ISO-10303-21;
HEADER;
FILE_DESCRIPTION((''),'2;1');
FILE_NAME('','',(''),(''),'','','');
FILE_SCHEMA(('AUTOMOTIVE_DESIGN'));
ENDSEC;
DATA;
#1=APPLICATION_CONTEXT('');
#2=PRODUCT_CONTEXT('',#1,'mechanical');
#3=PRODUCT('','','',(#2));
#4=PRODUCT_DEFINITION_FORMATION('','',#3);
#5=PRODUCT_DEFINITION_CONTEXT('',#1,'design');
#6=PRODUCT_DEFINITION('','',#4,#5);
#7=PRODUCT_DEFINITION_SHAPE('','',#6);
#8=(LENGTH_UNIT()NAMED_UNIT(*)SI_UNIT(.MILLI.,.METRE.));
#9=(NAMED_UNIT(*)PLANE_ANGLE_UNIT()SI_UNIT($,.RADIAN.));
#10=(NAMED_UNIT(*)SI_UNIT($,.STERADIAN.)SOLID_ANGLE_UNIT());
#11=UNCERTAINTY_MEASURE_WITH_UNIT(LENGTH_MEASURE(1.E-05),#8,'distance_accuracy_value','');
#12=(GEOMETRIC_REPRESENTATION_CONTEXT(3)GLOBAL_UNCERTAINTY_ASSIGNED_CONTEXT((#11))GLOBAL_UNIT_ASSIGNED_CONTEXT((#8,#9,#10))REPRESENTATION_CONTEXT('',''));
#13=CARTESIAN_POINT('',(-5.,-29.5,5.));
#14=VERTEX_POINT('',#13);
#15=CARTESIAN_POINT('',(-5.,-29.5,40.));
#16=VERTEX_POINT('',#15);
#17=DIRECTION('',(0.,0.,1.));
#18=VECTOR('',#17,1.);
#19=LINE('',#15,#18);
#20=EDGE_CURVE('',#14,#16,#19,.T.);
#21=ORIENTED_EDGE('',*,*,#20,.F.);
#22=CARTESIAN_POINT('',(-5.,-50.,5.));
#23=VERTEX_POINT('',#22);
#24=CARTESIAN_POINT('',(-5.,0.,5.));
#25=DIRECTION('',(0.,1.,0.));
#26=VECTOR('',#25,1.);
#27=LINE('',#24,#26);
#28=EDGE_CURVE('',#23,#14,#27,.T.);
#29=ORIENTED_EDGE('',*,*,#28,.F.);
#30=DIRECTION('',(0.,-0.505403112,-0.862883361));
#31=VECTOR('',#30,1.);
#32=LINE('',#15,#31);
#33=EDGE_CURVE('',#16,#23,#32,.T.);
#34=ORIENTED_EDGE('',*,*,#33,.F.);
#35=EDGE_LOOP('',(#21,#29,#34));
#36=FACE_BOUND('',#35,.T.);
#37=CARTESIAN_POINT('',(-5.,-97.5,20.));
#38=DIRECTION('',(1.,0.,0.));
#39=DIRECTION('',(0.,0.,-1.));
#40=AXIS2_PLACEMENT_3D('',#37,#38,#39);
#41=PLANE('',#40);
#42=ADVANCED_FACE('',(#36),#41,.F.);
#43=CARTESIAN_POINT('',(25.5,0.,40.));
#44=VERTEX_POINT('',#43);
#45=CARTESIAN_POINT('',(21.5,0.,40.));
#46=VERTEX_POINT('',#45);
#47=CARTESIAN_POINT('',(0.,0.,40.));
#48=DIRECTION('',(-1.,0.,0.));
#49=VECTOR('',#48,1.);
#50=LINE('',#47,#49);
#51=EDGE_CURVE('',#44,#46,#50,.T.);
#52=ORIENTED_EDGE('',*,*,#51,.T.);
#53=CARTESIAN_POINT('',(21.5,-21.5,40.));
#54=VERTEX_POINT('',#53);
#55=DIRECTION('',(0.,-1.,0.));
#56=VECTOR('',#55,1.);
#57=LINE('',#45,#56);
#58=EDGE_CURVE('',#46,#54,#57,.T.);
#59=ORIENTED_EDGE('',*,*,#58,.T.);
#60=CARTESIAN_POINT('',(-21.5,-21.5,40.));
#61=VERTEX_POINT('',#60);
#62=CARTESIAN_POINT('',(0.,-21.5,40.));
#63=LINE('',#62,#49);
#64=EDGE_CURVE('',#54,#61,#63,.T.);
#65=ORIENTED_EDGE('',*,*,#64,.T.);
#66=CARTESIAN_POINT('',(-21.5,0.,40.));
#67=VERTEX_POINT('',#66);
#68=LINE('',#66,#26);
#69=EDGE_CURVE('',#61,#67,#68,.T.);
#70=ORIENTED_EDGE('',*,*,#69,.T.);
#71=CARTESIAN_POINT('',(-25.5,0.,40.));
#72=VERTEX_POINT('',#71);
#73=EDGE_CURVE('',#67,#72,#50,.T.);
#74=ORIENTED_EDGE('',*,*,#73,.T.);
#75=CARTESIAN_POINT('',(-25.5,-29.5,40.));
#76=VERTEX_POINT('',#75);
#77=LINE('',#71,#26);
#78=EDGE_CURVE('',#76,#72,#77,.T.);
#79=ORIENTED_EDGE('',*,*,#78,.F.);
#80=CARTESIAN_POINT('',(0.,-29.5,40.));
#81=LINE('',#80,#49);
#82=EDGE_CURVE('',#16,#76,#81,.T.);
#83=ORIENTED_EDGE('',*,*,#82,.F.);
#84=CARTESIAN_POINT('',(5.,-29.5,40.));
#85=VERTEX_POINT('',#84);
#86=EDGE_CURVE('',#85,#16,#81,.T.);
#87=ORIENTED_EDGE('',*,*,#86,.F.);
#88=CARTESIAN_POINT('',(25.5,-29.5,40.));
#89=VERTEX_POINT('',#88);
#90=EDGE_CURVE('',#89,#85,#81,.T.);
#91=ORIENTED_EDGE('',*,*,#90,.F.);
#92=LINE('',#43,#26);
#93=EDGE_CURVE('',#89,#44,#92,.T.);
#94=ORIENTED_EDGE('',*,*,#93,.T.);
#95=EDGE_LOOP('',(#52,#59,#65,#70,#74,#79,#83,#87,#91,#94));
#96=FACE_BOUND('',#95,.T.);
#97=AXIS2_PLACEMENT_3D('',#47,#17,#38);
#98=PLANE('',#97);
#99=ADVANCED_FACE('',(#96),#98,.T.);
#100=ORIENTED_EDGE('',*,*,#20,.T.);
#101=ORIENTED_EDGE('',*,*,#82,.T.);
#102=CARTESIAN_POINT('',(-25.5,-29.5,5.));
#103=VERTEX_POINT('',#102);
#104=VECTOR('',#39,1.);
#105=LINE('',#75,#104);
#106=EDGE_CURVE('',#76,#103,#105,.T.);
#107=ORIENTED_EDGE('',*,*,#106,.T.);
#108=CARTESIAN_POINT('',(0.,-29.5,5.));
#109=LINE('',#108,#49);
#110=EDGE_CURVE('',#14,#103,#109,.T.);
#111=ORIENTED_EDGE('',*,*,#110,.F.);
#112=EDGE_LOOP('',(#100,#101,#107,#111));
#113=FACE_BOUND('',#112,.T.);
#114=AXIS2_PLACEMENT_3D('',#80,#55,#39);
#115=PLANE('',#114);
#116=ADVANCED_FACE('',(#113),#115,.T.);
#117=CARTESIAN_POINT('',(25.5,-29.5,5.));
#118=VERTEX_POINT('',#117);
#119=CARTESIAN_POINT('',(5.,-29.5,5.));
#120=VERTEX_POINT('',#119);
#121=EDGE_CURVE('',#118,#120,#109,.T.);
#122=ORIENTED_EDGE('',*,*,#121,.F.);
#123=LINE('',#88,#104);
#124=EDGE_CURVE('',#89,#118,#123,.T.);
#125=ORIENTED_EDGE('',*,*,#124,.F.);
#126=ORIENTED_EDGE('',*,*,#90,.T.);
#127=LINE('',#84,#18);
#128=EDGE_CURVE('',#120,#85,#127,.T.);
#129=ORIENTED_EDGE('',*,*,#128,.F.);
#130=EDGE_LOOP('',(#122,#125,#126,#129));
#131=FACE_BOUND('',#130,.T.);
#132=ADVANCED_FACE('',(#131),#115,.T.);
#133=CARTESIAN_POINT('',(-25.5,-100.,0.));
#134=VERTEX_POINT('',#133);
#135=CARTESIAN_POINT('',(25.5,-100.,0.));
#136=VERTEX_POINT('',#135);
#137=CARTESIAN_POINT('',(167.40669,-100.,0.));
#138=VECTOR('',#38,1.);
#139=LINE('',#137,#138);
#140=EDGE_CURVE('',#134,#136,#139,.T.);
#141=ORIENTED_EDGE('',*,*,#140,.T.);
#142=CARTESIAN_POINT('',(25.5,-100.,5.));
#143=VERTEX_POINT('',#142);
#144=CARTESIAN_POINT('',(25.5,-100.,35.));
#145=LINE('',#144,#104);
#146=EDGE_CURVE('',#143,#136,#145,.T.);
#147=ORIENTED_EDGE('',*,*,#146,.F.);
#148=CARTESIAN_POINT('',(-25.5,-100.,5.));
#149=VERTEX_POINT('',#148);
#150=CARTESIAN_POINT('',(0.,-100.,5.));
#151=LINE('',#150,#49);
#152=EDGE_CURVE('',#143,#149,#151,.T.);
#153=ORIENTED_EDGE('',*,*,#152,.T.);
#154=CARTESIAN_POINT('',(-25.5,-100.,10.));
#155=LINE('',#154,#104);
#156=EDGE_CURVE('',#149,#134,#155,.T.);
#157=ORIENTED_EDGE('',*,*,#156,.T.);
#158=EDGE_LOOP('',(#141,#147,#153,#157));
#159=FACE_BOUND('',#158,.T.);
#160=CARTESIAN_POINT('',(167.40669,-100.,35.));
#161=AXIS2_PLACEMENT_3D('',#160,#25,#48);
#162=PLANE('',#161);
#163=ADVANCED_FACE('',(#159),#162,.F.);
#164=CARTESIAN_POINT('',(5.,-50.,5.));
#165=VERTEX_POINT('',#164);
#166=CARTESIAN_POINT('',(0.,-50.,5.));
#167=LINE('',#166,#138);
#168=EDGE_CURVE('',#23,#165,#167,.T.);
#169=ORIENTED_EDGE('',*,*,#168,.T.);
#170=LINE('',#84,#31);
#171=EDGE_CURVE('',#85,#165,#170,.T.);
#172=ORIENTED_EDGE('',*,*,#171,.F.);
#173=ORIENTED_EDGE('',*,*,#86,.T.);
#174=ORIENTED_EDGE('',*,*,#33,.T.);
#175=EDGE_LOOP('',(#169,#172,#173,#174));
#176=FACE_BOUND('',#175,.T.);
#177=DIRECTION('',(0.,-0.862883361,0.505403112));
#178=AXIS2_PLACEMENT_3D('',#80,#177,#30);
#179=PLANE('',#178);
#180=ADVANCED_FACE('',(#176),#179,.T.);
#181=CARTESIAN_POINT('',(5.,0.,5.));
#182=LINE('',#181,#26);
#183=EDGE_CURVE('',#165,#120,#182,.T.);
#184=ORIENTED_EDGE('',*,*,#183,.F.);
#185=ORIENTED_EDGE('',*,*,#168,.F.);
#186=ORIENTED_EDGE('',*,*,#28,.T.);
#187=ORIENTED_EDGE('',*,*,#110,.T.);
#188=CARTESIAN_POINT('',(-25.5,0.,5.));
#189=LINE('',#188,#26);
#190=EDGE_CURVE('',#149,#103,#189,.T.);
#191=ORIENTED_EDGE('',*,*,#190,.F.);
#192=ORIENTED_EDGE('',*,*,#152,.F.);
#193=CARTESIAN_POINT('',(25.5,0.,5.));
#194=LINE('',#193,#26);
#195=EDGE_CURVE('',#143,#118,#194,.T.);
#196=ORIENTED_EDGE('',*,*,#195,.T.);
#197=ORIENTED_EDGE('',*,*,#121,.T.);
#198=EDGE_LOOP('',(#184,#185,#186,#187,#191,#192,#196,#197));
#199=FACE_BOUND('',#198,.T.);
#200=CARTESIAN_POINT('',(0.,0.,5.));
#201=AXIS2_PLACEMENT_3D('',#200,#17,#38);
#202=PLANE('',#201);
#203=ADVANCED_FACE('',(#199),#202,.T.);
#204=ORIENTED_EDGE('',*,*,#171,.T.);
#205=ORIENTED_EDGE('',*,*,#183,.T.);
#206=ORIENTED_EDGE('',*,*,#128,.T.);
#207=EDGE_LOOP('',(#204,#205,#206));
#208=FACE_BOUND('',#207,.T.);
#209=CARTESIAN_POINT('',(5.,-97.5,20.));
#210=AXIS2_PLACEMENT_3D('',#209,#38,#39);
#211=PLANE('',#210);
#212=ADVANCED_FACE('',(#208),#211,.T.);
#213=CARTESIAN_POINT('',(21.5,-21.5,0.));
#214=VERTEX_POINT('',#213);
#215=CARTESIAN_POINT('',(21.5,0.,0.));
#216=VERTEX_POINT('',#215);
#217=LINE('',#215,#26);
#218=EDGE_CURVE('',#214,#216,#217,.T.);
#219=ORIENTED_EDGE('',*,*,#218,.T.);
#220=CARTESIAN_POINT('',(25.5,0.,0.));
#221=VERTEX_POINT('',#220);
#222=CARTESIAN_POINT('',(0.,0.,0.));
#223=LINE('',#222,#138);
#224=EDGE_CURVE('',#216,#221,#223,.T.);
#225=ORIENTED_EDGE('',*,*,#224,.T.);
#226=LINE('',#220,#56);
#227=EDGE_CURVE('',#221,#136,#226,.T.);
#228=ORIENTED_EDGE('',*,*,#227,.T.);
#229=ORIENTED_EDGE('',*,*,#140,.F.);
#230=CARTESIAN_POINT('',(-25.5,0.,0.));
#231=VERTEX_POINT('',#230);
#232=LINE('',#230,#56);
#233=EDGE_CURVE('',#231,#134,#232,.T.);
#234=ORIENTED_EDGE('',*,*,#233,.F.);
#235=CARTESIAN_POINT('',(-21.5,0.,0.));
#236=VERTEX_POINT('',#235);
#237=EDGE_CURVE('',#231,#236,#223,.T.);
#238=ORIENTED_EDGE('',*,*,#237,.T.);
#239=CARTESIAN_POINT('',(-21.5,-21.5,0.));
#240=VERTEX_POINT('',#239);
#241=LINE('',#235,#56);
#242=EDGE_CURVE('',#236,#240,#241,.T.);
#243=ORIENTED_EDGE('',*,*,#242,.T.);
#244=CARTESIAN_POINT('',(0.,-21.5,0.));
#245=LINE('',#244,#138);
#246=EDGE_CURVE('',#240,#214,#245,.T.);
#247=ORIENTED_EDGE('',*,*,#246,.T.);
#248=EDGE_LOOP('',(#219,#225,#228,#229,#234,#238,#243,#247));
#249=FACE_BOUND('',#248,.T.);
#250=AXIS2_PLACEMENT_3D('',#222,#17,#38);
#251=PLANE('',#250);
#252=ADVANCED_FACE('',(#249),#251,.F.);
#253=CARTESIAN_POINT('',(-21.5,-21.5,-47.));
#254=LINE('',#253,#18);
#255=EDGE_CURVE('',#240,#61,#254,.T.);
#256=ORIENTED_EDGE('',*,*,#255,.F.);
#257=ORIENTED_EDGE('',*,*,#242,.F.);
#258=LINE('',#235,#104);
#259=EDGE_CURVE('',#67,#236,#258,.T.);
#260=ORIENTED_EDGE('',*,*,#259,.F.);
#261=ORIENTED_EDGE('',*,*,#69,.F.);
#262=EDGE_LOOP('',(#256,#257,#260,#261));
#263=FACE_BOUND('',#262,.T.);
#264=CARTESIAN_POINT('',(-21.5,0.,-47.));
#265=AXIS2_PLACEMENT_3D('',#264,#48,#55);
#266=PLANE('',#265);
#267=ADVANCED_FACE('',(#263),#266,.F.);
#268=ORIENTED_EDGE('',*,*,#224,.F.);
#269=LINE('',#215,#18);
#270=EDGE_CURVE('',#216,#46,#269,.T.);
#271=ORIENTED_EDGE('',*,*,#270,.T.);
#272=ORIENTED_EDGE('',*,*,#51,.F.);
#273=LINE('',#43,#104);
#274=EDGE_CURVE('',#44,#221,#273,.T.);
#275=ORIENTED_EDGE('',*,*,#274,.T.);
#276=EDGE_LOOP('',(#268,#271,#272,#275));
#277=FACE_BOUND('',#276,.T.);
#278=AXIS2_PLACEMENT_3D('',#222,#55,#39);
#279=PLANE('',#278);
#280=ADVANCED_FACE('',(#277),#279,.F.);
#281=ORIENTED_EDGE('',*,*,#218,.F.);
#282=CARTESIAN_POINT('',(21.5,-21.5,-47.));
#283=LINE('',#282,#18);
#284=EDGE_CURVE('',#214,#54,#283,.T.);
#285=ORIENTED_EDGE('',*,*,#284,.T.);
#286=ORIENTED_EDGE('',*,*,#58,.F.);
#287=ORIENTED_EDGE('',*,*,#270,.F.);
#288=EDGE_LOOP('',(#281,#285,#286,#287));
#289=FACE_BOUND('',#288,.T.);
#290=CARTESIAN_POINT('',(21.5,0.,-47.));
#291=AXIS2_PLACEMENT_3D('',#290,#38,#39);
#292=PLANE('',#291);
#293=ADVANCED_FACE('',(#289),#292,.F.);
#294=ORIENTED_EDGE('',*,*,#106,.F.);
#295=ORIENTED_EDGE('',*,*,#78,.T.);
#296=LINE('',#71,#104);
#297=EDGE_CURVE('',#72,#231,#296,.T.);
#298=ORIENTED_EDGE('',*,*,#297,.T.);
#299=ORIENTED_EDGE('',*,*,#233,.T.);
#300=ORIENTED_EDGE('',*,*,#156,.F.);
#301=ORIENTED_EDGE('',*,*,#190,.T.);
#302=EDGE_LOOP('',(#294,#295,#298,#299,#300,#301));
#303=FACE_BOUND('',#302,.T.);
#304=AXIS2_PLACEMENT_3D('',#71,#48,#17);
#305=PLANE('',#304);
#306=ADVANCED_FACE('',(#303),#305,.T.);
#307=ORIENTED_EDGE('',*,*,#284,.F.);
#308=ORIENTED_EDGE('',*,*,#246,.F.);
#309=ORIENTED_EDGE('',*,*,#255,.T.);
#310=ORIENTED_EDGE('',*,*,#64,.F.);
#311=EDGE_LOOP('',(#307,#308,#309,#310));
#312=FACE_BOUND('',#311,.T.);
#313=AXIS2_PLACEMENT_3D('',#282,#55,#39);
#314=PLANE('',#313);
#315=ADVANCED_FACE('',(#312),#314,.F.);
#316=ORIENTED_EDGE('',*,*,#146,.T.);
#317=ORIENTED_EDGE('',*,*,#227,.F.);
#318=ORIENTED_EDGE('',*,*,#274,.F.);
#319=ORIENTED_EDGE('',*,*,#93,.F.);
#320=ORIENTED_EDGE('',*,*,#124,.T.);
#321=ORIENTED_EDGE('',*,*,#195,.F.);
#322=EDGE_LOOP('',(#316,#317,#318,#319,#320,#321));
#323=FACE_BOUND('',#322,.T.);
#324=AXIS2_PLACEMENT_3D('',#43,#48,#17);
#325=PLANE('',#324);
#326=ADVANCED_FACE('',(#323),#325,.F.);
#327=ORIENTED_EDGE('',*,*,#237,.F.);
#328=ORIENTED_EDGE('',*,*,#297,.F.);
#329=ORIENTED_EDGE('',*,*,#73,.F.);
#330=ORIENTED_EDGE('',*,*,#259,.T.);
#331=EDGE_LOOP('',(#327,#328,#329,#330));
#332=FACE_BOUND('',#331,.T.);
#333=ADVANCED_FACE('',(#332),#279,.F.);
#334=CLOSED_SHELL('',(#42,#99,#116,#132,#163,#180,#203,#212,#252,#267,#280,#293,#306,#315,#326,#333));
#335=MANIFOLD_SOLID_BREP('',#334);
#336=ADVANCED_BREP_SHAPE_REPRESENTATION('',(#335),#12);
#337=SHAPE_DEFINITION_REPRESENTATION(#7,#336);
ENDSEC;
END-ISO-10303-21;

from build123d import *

# Parameters (mm, degrees)
EXTRUDE_1_DEPTH     = 5
EXTRUDE_2_DEPTH     = 5
CUT_EXTRUDE_2_DEPTH = 52
SKETCH_6_W          = 43
SKETCH_6_H          = 8
EXTRUDE_3_DEPTH     = 35
RIB_4_REACH         = 262.096
SKETCH_8_WALL_W     = 562.75395357
SKETCH_8_WALL_H     = 10
CUT_EXTRUDE_3_DEPTH = 35
SKETCH_10_W         = 141.906690428
SKETCH_10_H         = 100
CUT_EXTRUDE_4_DEPTH = 10


with BuildPart() as part:
    # 草图1 → 凸台-拉伸1 (new body)
    with BuildSketch(Plane.XY):
        with BuildLine():
            Line((167.406690428, -100), (0, -100))
            Line((0, -100), (-167.406690428, -100))
            ThreePointArc((-167.406690428, -100), (0, -195), (167.406690428, -100))
        make_face()
    extrude(amount=EXTRUDE_1_DEPTH)

    # 草图4 → 凸台-拉伸2 (add)
    with BuildSketch(Plane.XY.offset(5)):
        Polygon((167.406690428, 0), (0, 0), (0, -100), (21.5, -100), (167.406690428, -100), align=None)
        Polygon((0, -100), (0, 0), (-167.406690428, 0), (-167.406690428, -100), (-21.5, -100), align=None)
    extrude(amount=-EXTRUDE_2_DEPTH)

    # 草图5 → 切除-拉伸2 (cut)
    with BuildSketch(Plane.XY.offset(5)):
        Polygon((0, 0), (21.5, 0), (21.5, -21.5), (-21.5, -21.5), (-21.5, 0), align=None)
    extrude(amount=-CUT_EXTRUDE_2_DEPTH, mode=Mode.SUBTRACT)

    # 草图6 → 凸台-拉伸3 (add)
    with BuildSketch(Plane.XY.offset(5)):
        Polygon((-21.5, -29.5), (-21.5, -21.5), (-21.5, 0), (-25.5, 0), (-25.5, -29.5), align=None)
        with Locations((0, -25.5)):
            Rectangle(SKETCH_6_W, SKETCH_6_H)
        Polygon((21.5, 0), (21.5, -21.5), (21.5, -29.5), (25.5, -29.5), (25.5, 0), align=None)
    extrude(amount=EXTRUDE_3_DEPTH)

    # 草图8 wall → 筋4 (add, up to next)
    with BuildSketch(Plane(origin=(0, -39.75, 22.5), x_dir=(0, -0.505403111507, -0.862883361109), z_dir=(0, 0.862883361109, -0.505403111507)), mode=Mode.PRIVATE) as rib_4_sk1:
        Rectangle(SKETCH_8_WALL_W, SKETCH_8_WALL_H)
    rib_4_tool1 = extrude(rib_4_sk1.sketch, amount=RIB_4_REACH, mode=Mode.PRIVATE) - part.part
    add(rib_4_tool1.solids().sort_by_distance((0, -39.75, 22.5))[0])

    # 草图9 → 切除-拉伸3 (cut)
    with BuildSketch(Plane(origin=(0, 0, 0), x_dir=(-1, 0, 0), z_dir=(0, 0, -1))):
        Polygon((-167.406690428, -100), (167.406690428, -100), (167.406690428, -206.368717501), (-177.688477613, -206.368717501), align=None)
    extrude(amount=-CUT_EXTRUDE_3_DEPTH, mode=Mode.SUBTRACT)

    # 草图10 → 切除-拉伸4 (cut)
    with BuildSketch(Plane(origin=(0, 0, 0), x_dir=(-1, 0, 0), z_dir=(0, 0, -1))):
        with Locations((-96.453345214, -50)):
            Rectangle(SKETCH_10_W, SKETCH_10_H)
        with Locations((96.453345214, -50)):
            Rectangle(SKETCH_10_W, SKETCH_10_H)
    extrude(amount=-CUT_EXTRUDE_4_DEPTH, mode=Mode.SUBTRACT)


solid = part.part
